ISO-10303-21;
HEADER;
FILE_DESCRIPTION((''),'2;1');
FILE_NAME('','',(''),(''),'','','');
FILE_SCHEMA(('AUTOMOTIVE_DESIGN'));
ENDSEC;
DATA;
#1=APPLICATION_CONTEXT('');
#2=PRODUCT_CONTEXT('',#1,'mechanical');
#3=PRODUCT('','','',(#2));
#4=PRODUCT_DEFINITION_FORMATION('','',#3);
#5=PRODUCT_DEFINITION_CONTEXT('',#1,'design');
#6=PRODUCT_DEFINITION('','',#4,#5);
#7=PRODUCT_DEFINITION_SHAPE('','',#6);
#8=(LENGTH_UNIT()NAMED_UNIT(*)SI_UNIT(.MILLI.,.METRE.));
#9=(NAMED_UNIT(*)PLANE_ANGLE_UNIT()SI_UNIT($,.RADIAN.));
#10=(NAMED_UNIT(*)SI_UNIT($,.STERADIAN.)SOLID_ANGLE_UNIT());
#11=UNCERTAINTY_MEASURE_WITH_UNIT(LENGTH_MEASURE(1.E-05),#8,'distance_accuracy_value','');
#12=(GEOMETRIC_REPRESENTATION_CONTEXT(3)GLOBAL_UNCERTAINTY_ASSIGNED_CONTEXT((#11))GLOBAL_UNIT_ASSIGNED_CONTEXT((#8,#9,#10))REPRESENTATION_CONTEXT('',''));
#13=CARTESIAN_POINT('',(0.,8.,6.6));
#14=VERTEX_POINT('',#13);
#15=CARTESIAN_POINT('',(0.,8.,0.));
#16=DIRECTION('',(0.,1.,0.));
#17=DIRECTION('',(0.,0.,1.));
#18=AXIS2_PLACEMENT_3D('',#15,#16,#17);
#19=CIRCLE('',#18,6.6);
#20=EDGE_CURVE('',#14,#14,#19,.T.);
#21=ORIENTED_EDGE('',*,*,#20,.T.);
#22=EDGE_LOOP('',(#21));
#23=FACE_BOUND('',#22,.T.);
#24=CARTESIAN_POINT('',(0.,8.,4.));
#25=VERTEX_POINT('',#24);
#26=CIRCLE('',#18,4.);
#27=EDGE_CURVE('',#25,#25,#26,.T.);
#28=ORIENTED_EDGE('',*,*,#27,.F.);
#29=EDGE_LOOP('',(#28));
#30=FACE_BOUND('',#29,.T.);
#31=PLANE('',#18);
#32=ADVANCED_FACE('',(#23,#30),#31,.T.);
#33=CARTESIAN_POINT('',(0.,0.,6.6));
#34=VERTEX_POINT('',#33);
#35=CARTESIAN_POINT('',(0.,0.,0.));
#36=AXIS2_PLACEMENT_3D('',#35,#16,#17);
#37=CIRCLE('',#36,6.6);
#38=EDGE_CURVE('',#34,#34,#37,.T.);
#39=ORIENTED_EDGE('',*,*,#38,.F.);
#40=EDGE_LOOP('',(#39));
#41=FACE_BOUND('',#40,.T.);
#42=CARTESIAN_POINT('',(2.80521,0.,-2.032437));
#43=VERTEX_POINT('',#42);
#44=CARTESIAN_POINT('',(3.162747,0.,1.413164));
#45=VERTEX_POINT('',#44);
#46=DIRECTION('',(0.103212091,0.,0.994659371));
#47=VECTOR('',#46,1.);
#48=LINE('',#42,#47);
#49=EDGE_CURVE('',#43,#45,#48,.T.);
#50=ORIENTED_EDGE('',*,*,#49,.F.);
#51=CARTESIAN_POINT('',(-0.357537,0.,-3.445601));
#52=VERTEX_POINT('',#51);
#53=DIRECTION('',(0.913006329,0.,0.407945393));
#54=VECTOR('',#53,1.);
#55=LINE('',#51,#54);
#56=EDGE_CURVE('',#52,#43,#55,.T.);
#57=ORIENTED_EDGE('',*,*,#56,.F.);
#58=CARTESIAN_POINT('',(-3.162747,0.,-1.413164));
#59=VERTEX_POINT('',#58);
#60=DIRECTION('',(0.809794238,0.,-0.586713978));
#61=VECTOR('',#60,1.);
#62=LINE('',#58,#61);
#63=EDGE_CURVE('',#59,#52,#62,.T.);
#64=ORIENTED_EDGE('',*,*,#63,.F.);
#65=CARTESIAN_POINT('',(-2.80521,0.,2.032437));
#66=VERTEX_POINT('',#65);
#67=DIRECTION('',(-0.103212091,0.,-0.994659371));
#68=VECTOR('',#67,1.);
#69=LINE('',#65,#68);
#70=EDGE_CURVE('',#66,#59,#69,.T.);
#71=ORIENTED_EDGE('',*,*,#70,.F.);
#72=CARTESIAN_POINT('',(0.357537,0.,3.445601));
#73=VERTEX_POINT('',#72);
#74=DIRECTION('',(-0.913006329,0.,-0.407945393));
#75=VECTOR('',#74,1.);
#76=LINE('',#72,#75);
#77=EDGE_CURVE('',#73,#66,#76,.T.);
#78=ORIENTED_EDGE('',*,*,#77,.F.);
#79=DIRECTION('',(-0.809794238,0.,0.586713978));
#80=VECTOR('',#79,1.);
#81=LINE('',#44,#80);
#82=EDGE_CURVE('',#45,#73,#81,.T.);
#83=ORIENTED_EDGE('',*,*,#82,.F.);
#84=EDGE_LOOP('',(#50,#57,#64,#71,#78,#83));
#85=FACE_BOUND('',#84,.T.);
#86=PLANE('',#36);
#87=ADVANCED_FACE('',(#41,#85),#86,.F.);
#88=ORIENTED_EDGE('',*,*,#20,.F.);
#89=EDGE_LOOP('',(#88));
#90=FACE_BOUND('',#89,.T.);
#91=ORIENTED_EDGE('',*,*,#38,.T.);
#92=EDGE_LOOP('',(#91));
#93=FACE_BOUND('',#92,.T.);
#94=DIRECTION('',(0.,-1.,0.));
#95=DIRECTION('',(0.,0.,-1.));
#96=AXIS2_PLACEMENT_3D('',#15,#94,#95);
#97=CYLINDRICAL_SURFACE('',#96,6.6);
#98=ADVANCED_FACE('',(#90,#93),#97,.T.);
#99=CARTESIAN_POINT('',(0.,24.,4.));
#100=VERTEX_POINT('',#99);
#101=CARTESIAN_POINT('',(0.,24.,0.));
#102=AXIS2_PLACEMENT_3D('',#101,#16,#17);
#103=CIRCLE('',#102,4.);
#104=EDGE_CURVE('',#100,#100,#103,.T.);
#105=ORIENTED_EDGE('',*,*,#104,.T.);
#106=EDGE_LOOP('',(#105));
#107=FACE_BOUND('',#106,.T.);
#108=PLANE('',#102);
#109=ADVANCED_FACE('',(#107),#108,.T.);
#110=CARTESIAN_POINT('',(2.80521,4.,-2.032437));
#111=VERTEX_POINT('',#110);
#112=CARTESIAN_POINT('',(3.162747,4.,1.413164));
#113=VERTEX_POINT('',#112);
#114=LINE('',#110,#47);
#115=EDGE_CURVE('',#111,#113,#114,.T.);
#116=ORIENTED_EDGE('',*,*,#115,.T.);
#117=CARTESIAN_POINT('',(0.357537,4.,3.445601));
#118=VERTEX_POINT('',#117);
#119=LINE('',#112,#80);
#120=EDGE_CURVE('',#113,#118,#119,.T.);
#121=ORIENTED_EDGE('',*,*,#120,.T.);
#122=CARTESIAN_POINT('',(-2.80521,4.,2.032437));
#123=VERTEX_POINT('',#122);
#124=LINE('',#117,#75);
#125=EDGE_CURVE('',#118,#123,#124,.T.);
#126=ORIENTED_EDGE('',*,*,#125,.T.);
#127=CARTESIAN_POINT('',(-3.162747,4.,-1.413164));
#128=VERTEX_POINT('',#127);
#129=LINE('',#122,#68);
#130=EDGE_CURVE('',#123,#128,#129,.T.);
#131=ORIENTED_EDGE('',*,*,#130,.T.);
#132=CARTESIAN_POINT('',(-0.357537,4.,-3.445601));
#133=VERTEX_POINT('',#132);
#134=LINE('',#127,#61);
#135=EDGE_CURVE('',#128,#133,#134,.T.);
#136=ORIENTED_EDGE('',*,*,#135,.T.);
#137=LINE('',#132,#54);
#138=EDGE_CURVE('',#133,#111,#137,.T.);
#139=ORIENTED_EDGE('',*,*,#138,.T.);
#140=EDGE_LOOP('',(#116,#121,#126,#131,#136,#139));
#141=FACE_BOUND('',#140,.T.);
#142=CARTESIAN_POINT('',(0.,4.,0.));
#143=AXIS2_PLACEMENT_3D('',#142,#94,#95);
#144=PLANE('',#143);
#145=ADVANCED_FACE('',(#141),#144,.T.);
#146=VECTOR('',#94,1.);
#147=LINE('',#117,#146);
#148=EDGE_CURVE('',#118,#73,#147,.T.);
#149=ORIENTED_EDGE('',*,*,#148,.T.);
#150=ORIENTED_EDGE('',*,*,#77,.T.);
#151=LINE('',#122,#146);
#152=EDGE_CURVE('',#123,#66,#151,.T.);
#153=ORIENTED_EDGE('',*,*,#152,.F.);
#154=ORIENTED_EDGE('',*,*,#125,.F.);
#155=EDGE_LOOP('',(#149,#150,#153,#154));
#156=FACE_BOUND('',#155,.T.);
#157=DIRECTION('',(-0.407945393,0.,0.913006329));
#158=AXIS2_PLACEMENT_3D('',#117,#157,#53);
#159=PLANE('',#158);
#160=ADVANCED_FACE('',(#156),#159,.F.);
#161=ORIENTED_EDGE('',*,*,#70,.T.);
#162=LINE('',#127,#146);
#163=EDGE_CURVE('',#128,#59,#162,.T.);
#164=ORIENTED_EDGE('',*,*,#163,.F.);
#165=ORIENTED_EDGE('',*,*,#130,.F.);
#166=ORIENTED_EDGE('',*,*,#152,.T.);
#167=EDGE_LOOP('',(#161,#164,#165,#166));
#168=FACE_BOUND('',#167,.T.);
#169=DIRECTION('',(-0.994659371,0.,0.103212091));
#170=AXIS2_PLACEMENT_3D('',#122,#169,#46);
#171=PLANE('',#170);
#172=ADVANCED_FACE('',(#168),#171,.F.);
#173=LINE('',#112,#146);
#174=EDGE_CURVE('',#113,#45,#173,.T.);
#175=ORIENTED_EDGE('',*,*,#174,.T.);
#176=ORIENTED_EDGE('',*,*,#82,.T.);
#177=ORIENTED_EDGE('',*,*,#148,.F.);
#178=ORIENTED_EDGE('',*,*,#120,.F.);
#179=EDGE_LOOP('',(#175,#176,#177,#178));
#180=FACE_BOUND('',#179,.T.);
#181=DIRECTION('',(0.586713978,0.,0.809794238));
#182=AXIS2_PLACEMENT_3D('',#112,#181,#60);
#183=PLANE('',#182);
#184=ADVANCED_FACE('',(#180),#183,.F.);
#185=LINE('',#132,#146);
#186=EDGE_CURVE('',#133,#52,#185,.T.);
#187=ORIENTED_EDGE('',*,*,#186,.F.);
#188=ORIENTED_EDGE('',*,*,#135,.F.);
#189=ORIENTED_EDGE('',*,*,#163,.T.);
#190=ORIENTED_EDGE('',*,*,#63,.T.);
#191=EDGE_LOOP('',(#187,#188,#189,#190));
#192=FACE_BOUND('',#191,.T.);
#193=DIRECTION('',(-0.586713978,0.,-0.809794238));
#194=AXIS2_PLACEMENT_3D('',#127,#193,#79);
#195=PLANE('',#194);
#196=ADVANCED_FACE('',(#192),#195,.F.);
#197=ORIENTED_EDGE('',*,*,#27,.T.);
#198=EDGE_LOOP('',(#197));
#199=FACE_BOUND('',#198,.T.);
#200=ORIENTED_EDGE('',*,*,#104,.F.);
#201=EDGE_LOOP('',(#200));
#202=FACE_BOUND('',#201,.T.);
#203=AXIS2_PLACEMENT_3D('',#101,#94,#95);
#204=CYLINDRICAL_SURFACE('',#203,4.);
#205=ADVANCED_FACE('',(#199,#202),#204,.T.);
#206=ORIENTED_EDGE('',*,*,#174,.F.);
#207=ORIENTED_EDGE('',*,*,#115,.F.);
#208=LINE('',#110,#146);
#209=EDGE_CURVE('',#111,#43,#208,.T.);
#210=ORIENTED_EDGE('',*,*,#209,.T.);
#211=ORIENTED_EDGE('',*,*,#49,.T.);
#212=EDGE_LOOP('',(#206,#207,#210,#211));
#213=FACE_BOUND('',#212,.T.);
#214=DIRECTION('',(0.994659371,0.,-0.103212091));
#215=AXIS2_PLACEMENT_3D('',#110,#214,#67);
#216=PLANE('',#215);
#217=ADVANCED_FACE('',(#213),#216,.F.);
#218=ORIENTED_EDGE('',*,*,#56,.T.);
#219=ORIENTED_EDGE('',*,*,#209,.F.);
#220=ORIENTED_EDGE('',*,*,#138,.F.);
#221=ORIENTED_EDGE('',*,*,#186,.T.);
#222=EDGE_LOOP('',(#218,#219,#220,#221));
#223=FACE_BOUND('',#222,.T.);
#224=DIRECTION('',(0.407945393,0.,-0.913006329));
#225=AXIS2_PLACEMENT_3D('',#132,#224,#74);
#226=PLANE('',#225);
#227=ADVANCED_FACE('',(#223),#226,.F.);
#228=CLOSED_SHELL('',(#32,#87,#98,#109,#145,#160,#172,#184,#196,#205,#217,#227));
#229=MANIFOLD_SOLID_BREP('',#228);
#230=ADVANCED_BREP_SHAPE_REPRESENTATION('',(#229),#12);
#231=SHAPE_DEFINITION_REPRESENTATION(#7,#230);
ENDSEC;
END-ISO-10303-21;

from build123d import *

# Parameters (mm, degrees)
SKETCH_1_R          = 6.6
EXTRUDE_1_DEPTH     = 8
SKETCH_2_R          = 4
EXTRUDE_2_DEPTH     = 16
CUT_EXTRUDE_1_DEPTH = 4


with BuildPart() as part:
    # 草图1 → 凸台-拉伸1 (new body)
    with BuildSketch(Plane(origin=(0, 0, 0), x_dir=(1, 0, 0), z_dir=(0, 1, 0))):
        with Locations(Location((0, 0, 0), (0, 0, 270))):
            Circle(SKETCH_1_R)
    extrude(amount=EXTRUDE_1_DEPTH)

    # 草图2 → 凸台-拉伸2 (add)
    with BuildSketch(Plane(origin=(0, 8, 0), x_dir=(1, 0, 0), z_dir=(0, 1, 0))):
        with Locations(Location((0, 0, 0), (0, 0, 270))):
            Circle(SKETCH_2_R)
    extrude(amount=EXTRUDE_2_DEPTH)

    # 草图3 → 切除-拉伸1 (cut)
    with BuildSketch(Plane.XZ):
        Polygon((2.805209528, -2.032436839), (3.162746698, 1.413164294), (0.357537171, 3.445601134), (-2.805209528, 2.032436839), (-3.162746698, -1.413164294), (-0.357537171, -3.445601134), align=None)
    extrude(amount=-CUT_EXTRUDE_1_DEPTH, mode=Mode.SUBTRACT)


solid = part.part
